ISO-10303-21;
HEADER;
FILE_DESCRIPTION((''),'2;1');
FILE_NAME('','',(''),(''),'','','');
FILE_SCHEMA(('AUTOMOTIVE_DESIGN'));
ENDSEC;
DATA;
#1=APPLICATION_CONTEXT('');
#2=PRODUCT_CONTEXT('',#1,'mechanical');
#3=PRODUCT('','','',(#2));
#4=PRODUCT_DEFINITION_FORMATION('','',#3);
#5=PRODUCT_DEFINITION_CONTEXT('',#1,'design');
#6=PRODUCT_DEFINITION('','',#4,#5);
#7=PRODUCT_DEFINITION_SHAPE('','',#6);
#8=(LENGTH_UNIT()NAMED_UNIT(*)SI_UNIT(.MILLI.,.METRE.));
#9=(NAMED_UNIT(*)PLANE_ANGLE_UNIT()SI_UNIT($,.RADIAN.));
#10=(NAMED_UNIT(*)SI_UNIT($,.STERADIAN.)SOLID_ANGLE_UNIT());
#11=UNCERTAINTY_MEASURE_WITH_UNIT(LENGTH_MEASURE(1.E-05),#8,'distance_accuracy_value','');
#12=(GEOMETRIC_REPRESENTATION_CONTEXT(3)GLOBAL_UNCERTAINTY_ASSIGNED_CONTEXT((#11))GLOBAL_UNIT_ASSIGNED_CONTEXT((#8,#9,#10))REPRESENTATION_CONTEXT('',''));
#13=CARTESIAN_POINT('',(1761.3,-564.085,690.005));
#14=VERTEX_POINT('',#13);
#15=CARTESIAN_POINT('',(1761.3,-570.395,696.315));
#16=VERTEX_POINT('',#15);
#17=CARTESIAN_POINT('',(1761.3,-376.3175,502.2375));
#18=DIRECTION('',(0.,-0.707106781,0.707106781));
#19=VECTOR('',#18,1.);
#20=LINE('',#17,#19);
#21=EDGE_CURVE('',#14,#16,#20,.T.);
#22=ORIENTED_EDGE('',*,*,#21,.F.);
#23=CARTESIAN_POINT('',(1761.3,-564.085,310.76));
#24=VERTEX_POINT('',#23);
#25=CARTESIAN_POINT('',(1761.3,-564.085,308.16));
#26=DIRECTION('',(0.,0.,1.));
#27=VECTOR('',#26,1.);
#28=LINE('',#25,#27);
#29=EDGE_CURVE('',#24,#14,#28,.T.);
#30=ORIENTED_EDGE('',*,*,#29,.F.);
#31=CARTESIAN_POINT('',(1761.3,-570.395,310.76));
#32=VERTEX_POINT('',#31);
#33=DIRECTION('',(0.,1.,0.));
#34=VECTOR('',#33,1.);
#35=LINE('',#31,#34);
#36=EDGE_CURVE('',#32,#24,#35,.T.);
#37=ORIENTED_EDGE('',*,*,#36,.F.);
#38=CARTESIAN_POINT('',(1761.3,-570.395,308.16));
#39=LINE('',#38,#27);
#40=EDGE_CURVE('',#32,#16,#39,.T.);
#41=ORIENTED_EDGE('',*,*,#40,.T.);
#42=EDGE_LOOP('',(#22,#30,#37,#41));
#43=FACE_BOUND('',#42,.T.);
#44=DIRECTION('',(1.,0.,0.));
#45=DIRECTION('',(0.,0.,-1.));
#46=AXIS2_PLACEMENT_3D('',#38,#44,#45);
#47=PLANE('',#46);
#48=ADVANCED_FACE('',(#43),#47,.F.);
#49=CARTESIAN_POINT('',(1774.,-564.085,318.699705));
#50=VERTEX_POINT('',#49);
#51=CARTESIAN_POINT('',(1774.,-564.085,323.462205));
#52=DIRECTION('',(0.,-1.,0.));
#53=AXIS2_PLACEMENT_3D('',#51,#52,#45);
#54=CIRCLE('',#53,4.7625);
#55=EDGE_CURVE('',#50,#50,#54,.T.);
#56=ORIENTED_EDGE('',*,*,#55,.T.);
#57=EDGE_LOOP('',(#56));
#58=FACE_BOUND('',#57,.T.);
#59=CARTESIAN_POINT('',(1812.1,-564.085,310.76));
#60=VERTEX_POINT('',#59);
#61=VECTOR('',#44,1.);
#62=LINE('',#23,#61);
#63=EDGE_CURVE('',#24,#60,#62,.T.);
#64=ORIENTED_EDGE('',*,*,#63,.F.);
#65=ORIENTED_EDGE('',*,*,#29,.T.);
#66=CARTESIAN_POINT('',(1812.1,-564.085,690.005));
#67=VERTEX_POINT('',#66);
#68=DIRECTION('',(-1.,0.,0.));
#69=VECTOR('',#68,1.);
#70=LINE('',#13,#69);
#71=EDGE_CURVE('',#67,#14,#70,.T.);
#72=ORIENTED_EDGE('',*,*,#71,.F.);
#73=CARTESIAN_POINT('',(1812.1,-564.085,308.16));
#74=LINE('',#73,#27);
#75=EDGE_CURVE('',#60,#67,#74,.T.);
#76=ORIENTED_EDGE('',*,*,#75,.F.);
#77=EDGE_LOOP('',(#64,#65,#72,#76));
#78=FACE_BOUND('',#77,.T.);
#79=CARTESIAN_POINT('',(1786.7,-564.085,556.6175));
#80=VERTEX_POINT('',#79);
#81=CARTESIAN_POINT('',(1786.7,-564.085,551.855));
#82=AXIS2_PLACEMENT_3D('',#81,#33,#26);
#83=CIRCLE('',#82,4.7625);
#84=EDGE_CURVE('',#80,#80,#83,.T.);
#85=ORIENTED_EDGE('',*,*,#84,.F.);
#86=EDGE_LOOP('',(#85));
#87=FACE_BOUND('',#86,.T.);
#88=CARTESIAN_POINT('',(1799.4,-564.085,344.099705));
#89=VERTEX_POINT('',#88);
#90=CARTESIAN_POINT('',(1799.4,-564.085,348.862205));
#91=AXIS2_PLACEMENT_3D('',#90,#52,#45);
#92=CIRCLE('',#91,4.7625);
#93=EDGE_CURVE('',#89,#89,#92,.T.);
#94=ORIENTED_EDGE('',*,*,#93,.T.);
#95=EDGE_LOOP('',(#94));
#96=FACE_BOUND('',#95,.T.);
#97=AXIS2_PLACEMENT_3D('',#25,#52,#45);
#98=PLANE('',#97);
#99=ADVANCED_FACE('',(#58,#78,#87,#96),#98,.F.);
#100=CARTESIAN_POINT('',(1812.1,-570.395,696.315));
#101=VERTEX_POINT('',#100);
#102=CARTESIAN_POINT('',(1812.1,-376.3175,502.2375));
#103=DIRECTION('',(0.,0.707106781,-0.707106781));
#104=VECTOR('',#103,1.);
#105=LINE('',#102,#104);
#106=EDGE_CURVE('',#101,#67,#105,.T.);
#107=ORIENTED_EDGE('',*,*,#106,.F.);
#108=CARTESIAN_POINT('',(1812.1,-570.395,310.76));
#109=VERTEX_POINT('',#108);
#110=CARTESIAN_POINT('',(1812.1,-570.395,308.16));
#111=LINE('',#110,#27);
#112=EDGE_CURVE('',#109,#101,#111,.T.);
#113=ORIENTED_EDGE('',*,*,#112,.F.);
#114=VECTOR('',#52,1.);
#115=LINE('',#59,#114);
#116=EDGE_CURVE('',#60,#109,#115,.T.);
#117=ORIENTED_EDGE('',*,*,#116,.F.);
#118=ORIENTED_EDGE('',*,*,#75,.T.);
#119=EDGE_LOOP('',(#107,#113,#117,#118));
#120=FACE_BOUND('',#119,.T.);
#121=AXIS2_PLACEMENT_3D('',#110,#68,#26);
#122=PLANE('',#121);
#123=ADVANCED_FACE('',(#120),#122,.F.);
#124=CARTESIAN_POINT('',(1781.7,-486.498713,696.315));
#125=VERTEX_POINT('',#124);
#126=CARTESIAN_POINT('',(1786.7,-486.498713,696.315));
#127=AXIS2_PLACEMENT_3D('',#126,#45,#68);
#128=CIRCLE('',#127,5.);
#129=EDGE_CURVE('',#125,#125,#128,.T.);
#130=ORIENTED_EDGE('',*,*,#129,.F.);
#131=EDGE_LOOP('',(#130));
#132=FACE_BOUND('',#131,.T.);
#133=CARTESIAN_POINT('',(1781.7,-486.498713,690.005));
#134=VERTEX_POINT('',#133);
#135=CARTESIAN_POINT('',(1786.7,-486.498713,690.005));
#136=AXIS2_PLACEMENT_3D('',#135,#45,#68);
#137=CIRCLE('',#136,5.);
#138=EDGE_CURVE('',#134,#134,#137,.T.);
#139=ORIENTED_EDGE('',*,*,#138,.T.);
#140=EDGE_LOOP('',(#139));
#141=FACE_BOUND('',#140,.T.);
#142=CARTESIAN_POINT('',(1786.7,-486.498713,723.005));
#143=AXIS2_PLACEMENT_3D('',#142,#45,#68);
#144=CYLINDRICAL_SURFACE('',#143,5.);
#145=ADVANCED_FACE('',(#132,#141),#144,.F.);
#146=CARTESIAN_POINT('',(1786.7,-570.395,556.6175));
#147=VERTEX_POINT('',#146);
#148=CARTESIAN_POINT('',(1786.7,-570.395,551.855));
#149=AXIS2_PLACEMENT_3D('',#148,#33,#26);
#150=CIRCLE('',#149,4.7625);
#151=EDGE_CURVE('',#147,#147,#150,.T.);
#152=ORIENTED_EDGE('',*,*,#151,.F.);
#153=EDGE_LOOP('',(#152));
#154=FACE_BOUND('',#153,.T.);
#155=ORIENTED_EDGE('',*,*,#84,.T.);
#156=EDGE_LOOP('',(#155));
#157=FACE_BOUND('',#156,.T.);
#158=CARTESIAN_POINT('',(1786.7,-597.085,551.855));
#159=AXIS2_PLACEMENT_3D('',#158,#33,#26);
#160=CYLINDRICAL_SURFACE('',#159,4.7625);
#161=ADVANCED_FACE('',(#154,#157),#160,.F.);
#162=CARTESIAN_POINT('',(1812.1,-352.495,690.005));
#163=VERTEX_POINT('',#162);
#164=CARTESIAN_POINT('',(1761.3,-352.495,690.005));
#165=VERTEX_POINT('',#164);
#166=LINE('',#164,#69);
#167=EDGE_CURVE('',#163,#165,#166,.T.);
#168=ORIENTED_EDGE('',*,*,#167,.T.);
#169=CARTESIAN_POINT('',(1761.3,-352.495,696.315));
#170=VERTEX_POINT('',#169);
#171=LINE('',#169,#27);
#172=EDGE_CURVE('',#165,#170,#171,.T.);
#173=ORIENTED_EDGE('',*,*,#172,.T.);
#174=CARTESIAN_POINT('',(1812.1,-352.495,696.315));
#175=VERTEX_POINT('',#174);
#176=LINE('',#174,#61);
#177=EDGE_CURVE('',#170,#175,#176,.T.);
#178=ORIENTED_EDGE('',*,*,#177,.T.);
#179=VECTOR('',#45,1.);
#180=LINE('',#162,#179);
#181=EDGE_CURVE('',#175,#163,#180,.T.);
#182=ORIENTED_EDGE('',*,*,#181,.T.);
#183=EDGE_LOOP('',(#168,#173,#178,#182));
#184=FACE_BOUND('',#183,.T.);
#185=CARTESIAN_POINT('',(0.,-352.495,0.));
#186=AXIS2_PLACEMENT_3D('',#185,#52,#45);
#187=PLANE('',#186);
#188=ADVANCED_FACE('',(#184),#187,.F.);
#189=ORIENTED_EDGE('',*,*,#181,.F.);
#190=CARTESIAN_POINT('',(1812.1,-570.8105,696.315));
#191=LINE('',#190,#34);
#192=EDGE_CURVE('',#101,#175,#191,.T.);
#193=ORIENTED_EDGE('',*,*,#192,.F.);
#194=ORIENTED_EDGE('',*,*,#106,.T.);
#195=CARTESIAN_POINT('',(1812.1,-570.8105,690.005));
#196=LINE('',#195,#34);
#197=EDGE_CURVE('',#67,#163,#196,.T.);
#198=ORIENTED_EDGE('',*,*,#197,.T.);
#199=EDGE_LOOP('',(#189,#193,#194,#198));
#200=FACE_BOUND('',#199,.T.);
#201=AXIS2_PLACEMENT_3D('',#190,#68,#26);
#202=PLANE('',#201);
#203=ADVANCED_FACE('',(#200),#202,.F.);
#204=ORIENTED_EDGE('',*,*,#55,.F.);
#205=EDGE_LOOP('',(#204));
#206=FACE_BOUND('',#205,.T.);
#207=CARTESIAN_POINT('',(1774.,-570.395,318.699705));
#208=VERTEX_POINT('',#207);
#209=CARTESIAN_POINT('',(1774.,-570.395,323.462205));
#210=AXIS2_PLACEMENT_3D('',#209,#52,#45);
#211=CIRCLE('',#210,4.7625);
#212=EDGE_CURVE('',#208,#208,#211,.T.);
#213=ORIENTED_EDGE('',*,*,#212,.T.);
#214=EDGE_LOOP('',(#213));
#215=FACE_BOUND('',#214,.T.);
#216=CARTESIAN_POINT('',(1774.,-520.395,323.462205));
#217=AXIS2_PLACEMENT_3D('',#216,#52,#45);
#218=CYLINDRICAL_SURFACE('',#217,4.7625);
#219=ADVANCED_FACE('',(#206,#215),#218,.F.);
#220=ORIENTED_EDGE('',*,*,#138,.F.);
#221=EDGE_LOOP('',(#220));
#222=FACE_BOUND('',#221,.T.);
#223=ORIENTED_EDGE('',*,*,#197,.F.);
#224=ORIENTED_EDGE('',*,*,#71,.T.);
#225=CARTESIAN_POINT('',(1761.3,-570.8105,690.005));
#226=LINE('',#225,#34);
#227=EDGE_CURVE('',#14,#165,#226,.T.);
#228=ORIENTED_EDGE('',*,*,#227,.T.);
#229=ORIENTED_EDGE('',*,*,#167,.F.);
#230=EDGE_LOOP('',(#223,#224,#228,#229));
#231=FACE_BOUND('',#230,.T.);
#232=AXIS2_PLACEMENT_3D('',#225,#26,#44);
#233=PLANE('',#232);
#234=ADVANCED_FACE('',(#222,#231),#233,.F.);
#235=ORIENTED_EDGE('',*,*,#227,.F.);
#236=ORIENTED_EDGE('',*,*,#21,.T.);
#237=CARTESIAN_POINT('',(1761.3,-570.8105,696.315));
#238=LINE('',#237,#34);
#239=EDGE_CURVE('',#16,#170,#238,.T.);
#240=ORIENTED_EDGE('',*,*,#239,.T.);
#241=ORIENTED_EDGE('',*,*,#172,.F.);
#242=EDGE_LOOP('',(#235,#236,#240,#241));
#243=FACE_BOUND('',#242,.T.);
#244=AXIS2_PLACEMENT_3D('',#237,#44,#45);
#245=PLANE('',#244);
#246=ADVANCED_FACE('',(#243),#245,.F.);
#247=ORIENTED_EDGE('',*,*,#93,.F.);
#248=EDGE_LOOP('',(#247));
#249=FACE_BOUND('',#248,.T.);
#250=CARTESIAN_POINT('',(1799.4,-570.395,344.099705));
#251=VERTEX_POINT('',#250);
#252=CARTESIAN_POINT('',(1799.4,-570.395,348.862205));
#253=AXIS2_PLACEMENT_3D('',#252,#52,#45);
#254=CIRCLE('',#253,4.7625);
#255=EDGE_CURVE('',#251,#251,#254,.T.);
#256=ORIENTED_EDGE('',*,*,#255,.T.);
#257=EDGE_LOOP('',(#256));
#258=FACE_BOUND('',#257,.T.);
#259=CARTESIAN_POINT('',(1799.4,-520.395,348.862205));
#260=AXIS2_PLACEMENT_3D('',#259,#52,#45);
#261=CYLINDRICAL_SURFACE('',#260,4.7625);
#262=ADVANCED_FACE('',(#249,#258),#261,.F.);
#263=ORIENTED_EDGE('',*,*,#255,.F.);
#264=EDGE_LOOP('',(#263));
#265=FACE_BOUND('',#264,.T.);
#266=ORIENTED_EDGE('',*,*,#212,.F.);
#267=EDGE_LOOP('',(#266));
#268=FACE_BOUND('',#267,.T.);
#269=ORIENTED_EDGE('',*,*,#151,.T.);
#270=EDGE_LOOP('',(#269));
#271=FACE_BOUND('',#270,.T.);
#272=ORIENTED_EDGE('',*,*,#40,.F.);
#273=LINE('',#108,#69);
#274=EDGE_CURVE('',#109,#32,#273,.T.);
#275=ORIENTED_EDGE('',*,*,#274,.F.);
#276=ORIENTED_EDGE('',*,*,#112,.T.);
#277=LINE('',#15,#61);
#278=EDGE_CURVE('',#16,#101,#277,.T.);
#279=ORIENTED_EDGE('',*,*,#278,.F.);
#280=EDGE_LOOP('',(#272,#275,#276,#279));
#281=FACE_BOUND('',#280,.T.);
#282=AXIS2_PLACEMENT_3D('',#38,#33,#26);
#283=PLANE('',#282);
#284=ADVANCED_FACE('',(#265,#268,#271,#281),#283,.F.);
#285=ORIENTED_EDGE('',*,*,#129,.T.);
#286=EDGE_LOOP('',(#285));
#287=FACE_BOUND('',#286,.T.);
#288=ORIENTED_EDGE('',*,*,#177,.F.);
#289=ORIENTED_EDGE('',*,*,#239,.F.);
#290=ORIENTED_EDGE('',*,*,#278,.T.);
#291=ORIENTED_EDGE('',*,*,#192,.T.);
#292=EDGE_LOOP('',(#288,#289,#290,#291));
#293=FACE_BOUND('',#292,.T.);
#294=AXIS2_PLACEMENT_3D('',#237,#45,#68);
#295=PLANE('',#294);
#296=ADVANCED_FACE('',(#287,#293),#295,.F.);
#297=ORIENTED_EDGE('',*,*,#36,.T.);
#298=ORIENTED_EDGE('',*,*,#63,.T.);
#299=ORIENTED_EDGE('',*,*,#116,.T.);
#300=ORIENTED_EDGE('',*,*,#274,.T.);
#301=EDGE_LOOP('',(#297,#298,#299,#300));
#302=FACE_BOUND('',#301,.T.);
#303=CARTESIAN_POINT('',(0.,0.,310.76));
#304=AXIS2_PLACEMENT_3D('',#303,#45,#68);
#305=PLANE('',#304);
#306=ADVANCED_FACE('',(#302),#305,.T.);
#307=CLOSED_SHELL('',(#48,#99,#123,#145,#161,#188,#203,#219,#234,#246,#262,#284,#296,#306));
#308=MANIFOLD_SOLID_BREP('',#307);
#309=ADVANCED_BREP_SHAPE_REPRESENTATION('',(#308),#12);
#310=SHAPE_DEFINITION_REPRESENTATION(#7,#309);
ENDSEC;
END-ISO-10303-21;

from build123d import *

# Parameters (mm, degrees)
CROQUIS2_W              = 50.8
CROQUIS2_H              = 6.31
CROQUIS3_W              = 50.8
CROQUIS3_H              = 6.31
CROQUIS4_W              = 60
CROQUIS4_H              = 53.155
SALIENTE_EXTRUIR1_DEPTH = 6.31
CROQUIS5_W              = 60
CROQUIS5_H              = 6.31
CORTAR_EXTRUIR1_DEPTH   = 6.31
CORTAR_EXTRUIR2_DEPTH   = 634
CROQUIS8_W              = 50.8
CROQUIS8_H              = 6.31
SALIENTE_EXTRUIR2_DEPTH = 63.5
CROQUIS9_R              = 5
CORTAR_EXTRUIR3_DEPTH   = 10
CROQUIS10_W             = 790.847933
CROQUIS10_H             = 6.31
CORTAR_EXTRUIR4_DEPTH   = 286
CROQUIS11_W             = 50.8
CROQUIS11_H             = 6.31
CROQUIS11_W_2           = 210
CORTAR_EXTRUIR5_DEPTH   = 13.11
CROQUIS12_W             = 50.8
CROQUIS12_H             = 6.31
SALIENTE_EXTRUIR3_DEPTH = 6.35
CROQUIS13_W             = 50.8
CROQUIS13_H             = 6.35
CORTAR_EXTRUIR6_DEPTH   = 6.35
CROQUIS14_W             = 260.8
CROQUIS14_H             = 6.31
CORTAR_EXTRUIR7_DEPTH   = 6.31
CROQUIS15_W             = 50.8
CROQUIS15_H             = 6.31
CORTAR_EXTRUIR8_DEPTH   = 6.31
CROQUIS16_W             = 78.776397836
CROQUIS16_H             = 454.479218284
CORTAR_EXTRUIR9_DEPTH   = 128
CROQUIS22_R             = 4.7625
CORTAR_EXTRUIR15_DEPTH  = 33
CROQUIS24_R             = 5.000000022
CORTAR_EXTRUIR18_DEPTH  = 33
CROQUIS25_R             = 4.7625
CORTAR_EXTRUIR19_DEPTH  = 50
CROQUIS26_W             = 50.8
CROQUIS26_H             = 6.31
SALIENTE_EXTRUIR4_DEPTH = 100


with BuildPart() as part:
    # Barrer1: sweep along a curve in space
    with BuildLine() as barrer1_path:
        Line((0, 0, 0), (0, -567.24, 0))
        Line((0, -567.24, 0), (0, -567.24, 336.2))
        Line((0, -567.24, 336.2), (1786.7, -567.24, 336.2))
        Line((1786.7, -567.24, 336.2), (1786.7, -567.24, 693.16))
        Line((1786.7, -567.24, 693.16), (1786.7, -436.23, 693.16))
        Line((1786.7, -436.23, 693.16), (1786.7, -436.23, 1487.162933))
    # Croquis2 → Barrer1 (sweep)
    with BuildSketch(Plane(origin=(0, 0, 0), x_dir=(1, 0, 0), z_dir=(0, 1, 0))):
        Rectangle(CROQUIS2_W, CROQUIS2_H)
        with Locations((210, 0)):
            Rectangle(CROQUIS2_W, CROQUIS2_H)
    sweep(path=barrer1_path.line, transition=Transition.RIGHT)

    # Barrer4: sweep along a curve in space
    with BuildLine() as barrer4_path:
        Line((-0.201028049, -3.155, -3.155), (-0.201028049, -3.155, -207.155))
        Line((-0.201028049, -3.155, -207.155), (-0.201028049, -53.155, -207.155))
    # Croquis3 → Barrer4 (sweep)
    with BuildSketch(Plane(origin=(0, 0, -3.155), x_dir=(-1, 0, 0), z_dir=(0, 0, -1))):
        with Locations((-210, -3.155)):
            Rectangle(CROQUIS3_W, CROQUIS3_H)
        with Locations((0, -3.155)):
            Rectangle(CROQUIS3_W, CROQUIS3_H)
    sweep(path=barrer4_path.line, transition=Transition.RIGHT)

    # Croquis4 → Saliente-Extruir1 (add)
    with BuildSketch(Plane(origin=(0, 0, -210.31), x_dir=(-1, 0, 0), z_dir=(0, 0, -1))):
        with Locations((-154.6, -26.5775)):
            Rectangle(CROQUIS4_W, CROQUIS4_H)
    extrude(amount=-SALIENTE_EXTRUIR1_DEPTH)

    # Croquis5 → Cortar-Extruir1 (cut)
    with BuildSketch(Plane.XY.offset(-204)):
        with Locations((154.6, -3.155)):
            Rectangle(CROQUIS5_W, CROQUIS5_H)
    extrude(amount=-CORTAR_EXTRUIR1_DEPTH, mode=Mode.SUBTRACT)

    # Croquis7 → Cortar-Extruir2 (cut)
    with BuildSketch(Plane(origin=(0, 0, 0), x_dir=(1, 0, 0), z_dir=(0, 1, 0))):
        Polygon((1761.3, -361.6), (2022.1, -361.6), (2022.1, 278.600557529), (-188.115947115, 278.600557529), (-188.115947115, -361.6), align=None)
    extrude(amount=-CORTAR_EXTRUIR2_DEPTH, mode=Mode.SUBTRACT)

    # Croquis8 → Saliente-Extruir2 (add)
    with BuildSketch(Plane(origin=(0, 0, 361.6), x_dir=(-1, 0, 0), z_dir=(0, 0, -1))):
        with Locations((-1786.7, -567.24)):
            Rectangle(CROQUIS8_W, CROQUIS8_H)
    extrude(amount=SALIENTE_EXTRUIR2_DEPTH)

    # Croquis9 → Cortar-Extruir3 (cut)
    with BuildSketch(Plane(origin=(0, -433.075, 0), x_dir=(1, 0, 0), z_dir=(0, 1, 0))):
        with Locations(Location((1786.7, -1454.162933, 0), (0, 0, 270))):
            Circle(CROQUIS9_R)
        with Locations(Location((1786.7, -1234.162933, 0), (0, 0, 270))):
            Circle(CROQUIS9_R)
        with Locations(Location((1996.7, -1234.162933, 0), (0, 0, 270))):
            Circle(CROQUIS9_R)
        with Locations(Location((1996.7, -1454.162933, 0), (0, 0, 270))):
            Circle(CROQUIS9_R)
    extrude(amount=-CORTAR_EXTRUIR3_DEPTH, mode=Mode.SUBTRACT)

    # Croquis10 → Cortar-Extruir4 (cut)
    with BuildSketch(Plane(origin=(2022.1, 0, 0), x_dir=(0, 0, -1), z_dir=(1, 0, 0))):
        with Locations((-1091.7389665, -436.23)):
            Rectangle(CROQUIS10_W, CROQUIS10_H)
    extrude(amount=-CORTAR_EXTRUIR4_DEPTH, mode=Mode.SUBTRACT)

    # Croquis11 → Cortar-Extruir5 (cut)
    with BuildSketch(Plane(origin=(0, -433.075, 0), x_dir=(1, 0, 0), z_dir=(0, 1, 0))):
        with Locations((1996.7, -693.16)):
            Rectangle(CROQUIS11_W, CROQUIS11_H)
        with Locations((1866.3, -693.16)):
            Rectangle(CROQUIS11_W_2, CROQUIS11_H)
    extrude(amount=-CORTAR_EXTRUIR5_DEPTH, mode=Mode.SUBTRACT)

    # Croquis12 → Saliente-Extruir3 (add)
    with BuildSketch(Plane(origin=(0, 0, 361.6), x_dir=(-1, 0, 0), z_dir=(0, 0, -1))):
        with Locations((-1996.7, -567.24)):
            Rectangle(CROQUIS12_W, CROQUIS12_H)
    extrude(amount=SALIENTE_EXTRUIR3_DEPTH)

    # Croquis13 → Cortar-Extruir6 (cut)
    with BuildSketch(Plane(origin=(0, -564.085, 0), x_dir=(1, 0, 0), z_dir=(0, 1, 0))):
        with Locations((1786.7, -301.275)):
            Rectangle(CROQUIS13_W, CROQUIS13_H)
    extrude(amount=-CORTAR_EXTRUIR6_DEPTH, mode=Mode.SUBTRACT)

    # Croquis14 → Cortar-Extruir7 (cut)
    with BuildSketch(Plane(origin=(0, -446.185, 0), x_dir=(1, 0, 0), z_dir=(0, 1, 0))):
        with Locations((1891.7, -693.16)):
            Rectangle(CROQUIS14_W, CROQUIS14_H)
    extrude(amount=-CORTAR_EXTRUIR7_DEPTH, mode=Mode.SUBTRACT)

    # Croquis15 → Cortar-Extruir8 (cut)
    with BuildSketch(Plane(origin=(0, 0, 304.45), x_dir=(-1, 0, 0), z_dir=(0, 0, -1))):
        with Locations((-1786.7, -567.24)):
            Rectangle(CROQUIS15_W, CROQUIS15_H)
    extrude(amount=-CORTAR_EXTRUIR8_DEPTH, mode=Mode.SUBTRACT)

    # Croquis16 → Cortar-Extruir9 (cut)
    with BuildSketch(Plane(origin=(0, -452.495, 0), x_dir=(1, 0, 0), z_dir=(0, 1, 0))):
        with Locations((1993.809618139, -557.908989907)):
            Rectangle(CROQUIS16_W, CROQUIS16_H)
    extrude(amount=-CORTAR_EXTRUIR9_DEPTH, mode=Mode.SUBTRACT)

    # Croquis22 → Cortar-Extruir15 (cut)
    with BuildSketch(Plane(origin=(0, -564.085, 0), x_dir=(1, 0, 0), z_dir=(0, 1, 0))):
        with Locations(Location((1786.7, -551.855, 0), (0, 0, 270))):
            Circle(CROQUIS22_R)
    extrude(amount=-CORTAR_EXTRUIR15_DEPTH, mode=Mode.SUBTRACT)

    # Croquis24 → Cortar-Extruir18 (cut)
    with BuildSketch(Plane(origin=(0, 0, 690.005), x_dir=(-1, 0, 0), z_dir=(0, 0, -1))):
        with Locations((-1786.700000078, -486.49871274)):
            Circle(CROQUIS24_R)
    extrude(amount=-CORTAR_EXTRUIR18_DEPTH, mode=Mode.SUBTRACT)

    # Croquis25 → Cortar-Extruir19 (cut)
    with BuildSketch(Plane(origin=(0, -570.395, 0), x_dir=(-1, 0, 0), z_dir=(0, -1, 0))):
        with Locations(Location((-1799.399999999, -348.862204666, 0), (0, 0, 90))):
            Circle(CROQUIS25_R)
        with Locations(Location((-1773.999999999, -323.462204666, 0), (0, 0, 90))):
            Circle(CROQUIS25_R)
    extrude(amount=-CORTAR_EXTRUIR19_DEPTH, mode=Mode.SUBTRACT)

    # Croquis26 → Saliente-Extruir4 (add)
    with BuildSketch(Plane(origin=(0, -452.495, 0), x_dir=(1, 0, 0), z_dir=(0, 1, 0))):
        with Locations((1786.7, -693.16)):
            Rectangle(CROQUIS26_W, CROQUIS26_H)
    extrude(amount=SALIENTE_EXTRUIR4_DEPTH)


solid = part.part
